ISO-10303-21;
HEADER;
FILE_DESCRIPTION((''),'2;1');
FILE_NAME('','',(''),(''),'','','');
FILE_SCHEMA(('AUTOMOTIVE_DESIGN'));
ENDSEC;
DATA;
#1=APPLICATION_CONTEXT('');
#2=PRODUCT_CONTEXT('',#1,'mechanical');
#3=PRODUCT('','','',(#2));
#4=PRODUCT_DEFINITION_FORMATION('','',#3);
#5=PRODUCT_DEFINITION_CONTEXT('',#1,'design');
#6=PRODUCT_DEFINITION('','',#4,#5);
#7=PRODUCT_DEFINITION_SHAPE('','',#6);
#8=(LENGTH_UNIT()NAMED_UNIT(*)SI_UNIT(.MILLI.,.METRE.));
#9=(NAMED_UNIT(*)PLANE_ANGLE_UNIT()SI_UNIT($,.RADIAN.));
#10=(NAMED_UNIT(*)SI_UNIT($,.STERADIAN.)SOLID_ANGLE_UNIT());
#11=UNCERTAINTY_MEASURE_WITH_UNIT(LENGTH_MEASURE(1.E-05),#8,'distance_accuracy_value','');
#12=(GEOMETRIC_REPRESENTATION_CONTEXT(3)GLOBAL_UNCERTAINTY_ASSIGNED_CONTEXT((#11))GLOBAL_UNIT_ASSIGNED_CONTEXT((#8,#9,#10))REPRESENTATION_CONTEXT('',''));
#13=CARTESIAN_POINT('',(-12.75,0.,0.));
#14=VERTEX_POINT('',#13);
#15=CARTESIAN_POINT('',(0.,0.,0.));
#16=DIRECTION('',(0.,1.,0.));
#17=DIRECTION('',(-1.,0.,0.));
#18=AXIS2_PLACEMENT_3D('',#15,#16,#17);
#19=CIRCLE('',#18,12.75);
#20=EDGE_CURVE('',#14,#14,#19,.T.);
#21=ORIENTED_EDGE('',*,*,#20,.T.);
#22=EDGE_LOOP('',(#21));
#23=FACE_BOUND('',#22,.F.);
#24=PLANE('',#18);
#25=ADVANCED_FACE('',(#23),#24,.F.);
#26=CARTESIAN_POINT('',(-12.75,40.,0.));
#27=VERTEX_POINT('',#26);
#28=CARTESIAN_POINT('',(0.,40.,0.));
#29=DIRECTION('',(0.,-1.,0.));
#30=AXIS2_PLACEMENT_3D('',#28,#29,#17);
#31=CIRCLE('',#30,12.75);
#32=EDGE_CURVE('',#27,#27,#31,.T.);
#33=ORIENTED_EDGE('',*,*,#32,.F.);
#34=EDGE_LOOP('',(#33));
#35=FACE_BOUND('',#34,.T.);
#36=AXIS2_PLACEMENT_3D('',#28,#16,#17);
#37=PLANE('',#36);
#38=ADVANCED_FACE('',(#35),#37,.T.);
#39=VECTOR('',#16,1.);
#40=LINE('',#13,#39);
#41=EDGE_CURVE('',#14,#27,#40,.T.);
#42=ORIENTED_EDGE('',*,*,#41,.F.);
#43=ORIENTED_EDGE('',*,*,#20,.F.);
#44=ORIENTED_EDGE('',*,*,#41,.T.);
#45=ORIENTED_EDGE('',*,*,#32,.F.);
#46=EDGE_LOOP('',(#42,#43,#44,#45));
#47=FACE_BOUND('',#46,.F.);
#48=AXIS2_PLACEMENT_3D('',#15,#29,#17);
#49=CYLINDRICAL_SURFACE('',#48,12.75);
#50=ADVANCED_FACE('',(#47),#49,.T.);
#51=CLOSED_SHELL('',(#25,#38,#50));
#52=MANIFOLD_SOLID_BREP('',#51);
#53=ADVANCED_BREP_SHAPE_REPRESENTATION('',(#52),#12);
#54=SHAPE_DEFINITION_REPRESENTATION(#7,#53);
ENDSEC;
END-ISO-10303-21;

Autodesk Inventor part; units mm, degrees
ref_plane "YZ Plane" through (0, 0, 0) normal (1, 0, 0) x (0, 1, 0)
ref_plane "XZ Plane" through (0, 0, 0) normal (0, 1, 0) x (-1, 0, 0)
ref_plane "XY Plane" through (0, 0, 0) normal (0, 0, 1) x (1, 0, 0)
sketch "Sketch1" plane through (0, 0, 0) normal (0, 1, 0) x (-1, 0, 0)
  line L0 (17.85, 0) -> (-17.85, 0) projected
  line L1 (0, -17.85) -> (0, 17.85) projected
  circle A0 centre (0, 0) radius 12.75
  dimension "d0" = 25.5
extrude "Extrusion1" add sketch "Sketch1" along normal blind 40
properties part number "NespressoSpeedfiller-Rod"
